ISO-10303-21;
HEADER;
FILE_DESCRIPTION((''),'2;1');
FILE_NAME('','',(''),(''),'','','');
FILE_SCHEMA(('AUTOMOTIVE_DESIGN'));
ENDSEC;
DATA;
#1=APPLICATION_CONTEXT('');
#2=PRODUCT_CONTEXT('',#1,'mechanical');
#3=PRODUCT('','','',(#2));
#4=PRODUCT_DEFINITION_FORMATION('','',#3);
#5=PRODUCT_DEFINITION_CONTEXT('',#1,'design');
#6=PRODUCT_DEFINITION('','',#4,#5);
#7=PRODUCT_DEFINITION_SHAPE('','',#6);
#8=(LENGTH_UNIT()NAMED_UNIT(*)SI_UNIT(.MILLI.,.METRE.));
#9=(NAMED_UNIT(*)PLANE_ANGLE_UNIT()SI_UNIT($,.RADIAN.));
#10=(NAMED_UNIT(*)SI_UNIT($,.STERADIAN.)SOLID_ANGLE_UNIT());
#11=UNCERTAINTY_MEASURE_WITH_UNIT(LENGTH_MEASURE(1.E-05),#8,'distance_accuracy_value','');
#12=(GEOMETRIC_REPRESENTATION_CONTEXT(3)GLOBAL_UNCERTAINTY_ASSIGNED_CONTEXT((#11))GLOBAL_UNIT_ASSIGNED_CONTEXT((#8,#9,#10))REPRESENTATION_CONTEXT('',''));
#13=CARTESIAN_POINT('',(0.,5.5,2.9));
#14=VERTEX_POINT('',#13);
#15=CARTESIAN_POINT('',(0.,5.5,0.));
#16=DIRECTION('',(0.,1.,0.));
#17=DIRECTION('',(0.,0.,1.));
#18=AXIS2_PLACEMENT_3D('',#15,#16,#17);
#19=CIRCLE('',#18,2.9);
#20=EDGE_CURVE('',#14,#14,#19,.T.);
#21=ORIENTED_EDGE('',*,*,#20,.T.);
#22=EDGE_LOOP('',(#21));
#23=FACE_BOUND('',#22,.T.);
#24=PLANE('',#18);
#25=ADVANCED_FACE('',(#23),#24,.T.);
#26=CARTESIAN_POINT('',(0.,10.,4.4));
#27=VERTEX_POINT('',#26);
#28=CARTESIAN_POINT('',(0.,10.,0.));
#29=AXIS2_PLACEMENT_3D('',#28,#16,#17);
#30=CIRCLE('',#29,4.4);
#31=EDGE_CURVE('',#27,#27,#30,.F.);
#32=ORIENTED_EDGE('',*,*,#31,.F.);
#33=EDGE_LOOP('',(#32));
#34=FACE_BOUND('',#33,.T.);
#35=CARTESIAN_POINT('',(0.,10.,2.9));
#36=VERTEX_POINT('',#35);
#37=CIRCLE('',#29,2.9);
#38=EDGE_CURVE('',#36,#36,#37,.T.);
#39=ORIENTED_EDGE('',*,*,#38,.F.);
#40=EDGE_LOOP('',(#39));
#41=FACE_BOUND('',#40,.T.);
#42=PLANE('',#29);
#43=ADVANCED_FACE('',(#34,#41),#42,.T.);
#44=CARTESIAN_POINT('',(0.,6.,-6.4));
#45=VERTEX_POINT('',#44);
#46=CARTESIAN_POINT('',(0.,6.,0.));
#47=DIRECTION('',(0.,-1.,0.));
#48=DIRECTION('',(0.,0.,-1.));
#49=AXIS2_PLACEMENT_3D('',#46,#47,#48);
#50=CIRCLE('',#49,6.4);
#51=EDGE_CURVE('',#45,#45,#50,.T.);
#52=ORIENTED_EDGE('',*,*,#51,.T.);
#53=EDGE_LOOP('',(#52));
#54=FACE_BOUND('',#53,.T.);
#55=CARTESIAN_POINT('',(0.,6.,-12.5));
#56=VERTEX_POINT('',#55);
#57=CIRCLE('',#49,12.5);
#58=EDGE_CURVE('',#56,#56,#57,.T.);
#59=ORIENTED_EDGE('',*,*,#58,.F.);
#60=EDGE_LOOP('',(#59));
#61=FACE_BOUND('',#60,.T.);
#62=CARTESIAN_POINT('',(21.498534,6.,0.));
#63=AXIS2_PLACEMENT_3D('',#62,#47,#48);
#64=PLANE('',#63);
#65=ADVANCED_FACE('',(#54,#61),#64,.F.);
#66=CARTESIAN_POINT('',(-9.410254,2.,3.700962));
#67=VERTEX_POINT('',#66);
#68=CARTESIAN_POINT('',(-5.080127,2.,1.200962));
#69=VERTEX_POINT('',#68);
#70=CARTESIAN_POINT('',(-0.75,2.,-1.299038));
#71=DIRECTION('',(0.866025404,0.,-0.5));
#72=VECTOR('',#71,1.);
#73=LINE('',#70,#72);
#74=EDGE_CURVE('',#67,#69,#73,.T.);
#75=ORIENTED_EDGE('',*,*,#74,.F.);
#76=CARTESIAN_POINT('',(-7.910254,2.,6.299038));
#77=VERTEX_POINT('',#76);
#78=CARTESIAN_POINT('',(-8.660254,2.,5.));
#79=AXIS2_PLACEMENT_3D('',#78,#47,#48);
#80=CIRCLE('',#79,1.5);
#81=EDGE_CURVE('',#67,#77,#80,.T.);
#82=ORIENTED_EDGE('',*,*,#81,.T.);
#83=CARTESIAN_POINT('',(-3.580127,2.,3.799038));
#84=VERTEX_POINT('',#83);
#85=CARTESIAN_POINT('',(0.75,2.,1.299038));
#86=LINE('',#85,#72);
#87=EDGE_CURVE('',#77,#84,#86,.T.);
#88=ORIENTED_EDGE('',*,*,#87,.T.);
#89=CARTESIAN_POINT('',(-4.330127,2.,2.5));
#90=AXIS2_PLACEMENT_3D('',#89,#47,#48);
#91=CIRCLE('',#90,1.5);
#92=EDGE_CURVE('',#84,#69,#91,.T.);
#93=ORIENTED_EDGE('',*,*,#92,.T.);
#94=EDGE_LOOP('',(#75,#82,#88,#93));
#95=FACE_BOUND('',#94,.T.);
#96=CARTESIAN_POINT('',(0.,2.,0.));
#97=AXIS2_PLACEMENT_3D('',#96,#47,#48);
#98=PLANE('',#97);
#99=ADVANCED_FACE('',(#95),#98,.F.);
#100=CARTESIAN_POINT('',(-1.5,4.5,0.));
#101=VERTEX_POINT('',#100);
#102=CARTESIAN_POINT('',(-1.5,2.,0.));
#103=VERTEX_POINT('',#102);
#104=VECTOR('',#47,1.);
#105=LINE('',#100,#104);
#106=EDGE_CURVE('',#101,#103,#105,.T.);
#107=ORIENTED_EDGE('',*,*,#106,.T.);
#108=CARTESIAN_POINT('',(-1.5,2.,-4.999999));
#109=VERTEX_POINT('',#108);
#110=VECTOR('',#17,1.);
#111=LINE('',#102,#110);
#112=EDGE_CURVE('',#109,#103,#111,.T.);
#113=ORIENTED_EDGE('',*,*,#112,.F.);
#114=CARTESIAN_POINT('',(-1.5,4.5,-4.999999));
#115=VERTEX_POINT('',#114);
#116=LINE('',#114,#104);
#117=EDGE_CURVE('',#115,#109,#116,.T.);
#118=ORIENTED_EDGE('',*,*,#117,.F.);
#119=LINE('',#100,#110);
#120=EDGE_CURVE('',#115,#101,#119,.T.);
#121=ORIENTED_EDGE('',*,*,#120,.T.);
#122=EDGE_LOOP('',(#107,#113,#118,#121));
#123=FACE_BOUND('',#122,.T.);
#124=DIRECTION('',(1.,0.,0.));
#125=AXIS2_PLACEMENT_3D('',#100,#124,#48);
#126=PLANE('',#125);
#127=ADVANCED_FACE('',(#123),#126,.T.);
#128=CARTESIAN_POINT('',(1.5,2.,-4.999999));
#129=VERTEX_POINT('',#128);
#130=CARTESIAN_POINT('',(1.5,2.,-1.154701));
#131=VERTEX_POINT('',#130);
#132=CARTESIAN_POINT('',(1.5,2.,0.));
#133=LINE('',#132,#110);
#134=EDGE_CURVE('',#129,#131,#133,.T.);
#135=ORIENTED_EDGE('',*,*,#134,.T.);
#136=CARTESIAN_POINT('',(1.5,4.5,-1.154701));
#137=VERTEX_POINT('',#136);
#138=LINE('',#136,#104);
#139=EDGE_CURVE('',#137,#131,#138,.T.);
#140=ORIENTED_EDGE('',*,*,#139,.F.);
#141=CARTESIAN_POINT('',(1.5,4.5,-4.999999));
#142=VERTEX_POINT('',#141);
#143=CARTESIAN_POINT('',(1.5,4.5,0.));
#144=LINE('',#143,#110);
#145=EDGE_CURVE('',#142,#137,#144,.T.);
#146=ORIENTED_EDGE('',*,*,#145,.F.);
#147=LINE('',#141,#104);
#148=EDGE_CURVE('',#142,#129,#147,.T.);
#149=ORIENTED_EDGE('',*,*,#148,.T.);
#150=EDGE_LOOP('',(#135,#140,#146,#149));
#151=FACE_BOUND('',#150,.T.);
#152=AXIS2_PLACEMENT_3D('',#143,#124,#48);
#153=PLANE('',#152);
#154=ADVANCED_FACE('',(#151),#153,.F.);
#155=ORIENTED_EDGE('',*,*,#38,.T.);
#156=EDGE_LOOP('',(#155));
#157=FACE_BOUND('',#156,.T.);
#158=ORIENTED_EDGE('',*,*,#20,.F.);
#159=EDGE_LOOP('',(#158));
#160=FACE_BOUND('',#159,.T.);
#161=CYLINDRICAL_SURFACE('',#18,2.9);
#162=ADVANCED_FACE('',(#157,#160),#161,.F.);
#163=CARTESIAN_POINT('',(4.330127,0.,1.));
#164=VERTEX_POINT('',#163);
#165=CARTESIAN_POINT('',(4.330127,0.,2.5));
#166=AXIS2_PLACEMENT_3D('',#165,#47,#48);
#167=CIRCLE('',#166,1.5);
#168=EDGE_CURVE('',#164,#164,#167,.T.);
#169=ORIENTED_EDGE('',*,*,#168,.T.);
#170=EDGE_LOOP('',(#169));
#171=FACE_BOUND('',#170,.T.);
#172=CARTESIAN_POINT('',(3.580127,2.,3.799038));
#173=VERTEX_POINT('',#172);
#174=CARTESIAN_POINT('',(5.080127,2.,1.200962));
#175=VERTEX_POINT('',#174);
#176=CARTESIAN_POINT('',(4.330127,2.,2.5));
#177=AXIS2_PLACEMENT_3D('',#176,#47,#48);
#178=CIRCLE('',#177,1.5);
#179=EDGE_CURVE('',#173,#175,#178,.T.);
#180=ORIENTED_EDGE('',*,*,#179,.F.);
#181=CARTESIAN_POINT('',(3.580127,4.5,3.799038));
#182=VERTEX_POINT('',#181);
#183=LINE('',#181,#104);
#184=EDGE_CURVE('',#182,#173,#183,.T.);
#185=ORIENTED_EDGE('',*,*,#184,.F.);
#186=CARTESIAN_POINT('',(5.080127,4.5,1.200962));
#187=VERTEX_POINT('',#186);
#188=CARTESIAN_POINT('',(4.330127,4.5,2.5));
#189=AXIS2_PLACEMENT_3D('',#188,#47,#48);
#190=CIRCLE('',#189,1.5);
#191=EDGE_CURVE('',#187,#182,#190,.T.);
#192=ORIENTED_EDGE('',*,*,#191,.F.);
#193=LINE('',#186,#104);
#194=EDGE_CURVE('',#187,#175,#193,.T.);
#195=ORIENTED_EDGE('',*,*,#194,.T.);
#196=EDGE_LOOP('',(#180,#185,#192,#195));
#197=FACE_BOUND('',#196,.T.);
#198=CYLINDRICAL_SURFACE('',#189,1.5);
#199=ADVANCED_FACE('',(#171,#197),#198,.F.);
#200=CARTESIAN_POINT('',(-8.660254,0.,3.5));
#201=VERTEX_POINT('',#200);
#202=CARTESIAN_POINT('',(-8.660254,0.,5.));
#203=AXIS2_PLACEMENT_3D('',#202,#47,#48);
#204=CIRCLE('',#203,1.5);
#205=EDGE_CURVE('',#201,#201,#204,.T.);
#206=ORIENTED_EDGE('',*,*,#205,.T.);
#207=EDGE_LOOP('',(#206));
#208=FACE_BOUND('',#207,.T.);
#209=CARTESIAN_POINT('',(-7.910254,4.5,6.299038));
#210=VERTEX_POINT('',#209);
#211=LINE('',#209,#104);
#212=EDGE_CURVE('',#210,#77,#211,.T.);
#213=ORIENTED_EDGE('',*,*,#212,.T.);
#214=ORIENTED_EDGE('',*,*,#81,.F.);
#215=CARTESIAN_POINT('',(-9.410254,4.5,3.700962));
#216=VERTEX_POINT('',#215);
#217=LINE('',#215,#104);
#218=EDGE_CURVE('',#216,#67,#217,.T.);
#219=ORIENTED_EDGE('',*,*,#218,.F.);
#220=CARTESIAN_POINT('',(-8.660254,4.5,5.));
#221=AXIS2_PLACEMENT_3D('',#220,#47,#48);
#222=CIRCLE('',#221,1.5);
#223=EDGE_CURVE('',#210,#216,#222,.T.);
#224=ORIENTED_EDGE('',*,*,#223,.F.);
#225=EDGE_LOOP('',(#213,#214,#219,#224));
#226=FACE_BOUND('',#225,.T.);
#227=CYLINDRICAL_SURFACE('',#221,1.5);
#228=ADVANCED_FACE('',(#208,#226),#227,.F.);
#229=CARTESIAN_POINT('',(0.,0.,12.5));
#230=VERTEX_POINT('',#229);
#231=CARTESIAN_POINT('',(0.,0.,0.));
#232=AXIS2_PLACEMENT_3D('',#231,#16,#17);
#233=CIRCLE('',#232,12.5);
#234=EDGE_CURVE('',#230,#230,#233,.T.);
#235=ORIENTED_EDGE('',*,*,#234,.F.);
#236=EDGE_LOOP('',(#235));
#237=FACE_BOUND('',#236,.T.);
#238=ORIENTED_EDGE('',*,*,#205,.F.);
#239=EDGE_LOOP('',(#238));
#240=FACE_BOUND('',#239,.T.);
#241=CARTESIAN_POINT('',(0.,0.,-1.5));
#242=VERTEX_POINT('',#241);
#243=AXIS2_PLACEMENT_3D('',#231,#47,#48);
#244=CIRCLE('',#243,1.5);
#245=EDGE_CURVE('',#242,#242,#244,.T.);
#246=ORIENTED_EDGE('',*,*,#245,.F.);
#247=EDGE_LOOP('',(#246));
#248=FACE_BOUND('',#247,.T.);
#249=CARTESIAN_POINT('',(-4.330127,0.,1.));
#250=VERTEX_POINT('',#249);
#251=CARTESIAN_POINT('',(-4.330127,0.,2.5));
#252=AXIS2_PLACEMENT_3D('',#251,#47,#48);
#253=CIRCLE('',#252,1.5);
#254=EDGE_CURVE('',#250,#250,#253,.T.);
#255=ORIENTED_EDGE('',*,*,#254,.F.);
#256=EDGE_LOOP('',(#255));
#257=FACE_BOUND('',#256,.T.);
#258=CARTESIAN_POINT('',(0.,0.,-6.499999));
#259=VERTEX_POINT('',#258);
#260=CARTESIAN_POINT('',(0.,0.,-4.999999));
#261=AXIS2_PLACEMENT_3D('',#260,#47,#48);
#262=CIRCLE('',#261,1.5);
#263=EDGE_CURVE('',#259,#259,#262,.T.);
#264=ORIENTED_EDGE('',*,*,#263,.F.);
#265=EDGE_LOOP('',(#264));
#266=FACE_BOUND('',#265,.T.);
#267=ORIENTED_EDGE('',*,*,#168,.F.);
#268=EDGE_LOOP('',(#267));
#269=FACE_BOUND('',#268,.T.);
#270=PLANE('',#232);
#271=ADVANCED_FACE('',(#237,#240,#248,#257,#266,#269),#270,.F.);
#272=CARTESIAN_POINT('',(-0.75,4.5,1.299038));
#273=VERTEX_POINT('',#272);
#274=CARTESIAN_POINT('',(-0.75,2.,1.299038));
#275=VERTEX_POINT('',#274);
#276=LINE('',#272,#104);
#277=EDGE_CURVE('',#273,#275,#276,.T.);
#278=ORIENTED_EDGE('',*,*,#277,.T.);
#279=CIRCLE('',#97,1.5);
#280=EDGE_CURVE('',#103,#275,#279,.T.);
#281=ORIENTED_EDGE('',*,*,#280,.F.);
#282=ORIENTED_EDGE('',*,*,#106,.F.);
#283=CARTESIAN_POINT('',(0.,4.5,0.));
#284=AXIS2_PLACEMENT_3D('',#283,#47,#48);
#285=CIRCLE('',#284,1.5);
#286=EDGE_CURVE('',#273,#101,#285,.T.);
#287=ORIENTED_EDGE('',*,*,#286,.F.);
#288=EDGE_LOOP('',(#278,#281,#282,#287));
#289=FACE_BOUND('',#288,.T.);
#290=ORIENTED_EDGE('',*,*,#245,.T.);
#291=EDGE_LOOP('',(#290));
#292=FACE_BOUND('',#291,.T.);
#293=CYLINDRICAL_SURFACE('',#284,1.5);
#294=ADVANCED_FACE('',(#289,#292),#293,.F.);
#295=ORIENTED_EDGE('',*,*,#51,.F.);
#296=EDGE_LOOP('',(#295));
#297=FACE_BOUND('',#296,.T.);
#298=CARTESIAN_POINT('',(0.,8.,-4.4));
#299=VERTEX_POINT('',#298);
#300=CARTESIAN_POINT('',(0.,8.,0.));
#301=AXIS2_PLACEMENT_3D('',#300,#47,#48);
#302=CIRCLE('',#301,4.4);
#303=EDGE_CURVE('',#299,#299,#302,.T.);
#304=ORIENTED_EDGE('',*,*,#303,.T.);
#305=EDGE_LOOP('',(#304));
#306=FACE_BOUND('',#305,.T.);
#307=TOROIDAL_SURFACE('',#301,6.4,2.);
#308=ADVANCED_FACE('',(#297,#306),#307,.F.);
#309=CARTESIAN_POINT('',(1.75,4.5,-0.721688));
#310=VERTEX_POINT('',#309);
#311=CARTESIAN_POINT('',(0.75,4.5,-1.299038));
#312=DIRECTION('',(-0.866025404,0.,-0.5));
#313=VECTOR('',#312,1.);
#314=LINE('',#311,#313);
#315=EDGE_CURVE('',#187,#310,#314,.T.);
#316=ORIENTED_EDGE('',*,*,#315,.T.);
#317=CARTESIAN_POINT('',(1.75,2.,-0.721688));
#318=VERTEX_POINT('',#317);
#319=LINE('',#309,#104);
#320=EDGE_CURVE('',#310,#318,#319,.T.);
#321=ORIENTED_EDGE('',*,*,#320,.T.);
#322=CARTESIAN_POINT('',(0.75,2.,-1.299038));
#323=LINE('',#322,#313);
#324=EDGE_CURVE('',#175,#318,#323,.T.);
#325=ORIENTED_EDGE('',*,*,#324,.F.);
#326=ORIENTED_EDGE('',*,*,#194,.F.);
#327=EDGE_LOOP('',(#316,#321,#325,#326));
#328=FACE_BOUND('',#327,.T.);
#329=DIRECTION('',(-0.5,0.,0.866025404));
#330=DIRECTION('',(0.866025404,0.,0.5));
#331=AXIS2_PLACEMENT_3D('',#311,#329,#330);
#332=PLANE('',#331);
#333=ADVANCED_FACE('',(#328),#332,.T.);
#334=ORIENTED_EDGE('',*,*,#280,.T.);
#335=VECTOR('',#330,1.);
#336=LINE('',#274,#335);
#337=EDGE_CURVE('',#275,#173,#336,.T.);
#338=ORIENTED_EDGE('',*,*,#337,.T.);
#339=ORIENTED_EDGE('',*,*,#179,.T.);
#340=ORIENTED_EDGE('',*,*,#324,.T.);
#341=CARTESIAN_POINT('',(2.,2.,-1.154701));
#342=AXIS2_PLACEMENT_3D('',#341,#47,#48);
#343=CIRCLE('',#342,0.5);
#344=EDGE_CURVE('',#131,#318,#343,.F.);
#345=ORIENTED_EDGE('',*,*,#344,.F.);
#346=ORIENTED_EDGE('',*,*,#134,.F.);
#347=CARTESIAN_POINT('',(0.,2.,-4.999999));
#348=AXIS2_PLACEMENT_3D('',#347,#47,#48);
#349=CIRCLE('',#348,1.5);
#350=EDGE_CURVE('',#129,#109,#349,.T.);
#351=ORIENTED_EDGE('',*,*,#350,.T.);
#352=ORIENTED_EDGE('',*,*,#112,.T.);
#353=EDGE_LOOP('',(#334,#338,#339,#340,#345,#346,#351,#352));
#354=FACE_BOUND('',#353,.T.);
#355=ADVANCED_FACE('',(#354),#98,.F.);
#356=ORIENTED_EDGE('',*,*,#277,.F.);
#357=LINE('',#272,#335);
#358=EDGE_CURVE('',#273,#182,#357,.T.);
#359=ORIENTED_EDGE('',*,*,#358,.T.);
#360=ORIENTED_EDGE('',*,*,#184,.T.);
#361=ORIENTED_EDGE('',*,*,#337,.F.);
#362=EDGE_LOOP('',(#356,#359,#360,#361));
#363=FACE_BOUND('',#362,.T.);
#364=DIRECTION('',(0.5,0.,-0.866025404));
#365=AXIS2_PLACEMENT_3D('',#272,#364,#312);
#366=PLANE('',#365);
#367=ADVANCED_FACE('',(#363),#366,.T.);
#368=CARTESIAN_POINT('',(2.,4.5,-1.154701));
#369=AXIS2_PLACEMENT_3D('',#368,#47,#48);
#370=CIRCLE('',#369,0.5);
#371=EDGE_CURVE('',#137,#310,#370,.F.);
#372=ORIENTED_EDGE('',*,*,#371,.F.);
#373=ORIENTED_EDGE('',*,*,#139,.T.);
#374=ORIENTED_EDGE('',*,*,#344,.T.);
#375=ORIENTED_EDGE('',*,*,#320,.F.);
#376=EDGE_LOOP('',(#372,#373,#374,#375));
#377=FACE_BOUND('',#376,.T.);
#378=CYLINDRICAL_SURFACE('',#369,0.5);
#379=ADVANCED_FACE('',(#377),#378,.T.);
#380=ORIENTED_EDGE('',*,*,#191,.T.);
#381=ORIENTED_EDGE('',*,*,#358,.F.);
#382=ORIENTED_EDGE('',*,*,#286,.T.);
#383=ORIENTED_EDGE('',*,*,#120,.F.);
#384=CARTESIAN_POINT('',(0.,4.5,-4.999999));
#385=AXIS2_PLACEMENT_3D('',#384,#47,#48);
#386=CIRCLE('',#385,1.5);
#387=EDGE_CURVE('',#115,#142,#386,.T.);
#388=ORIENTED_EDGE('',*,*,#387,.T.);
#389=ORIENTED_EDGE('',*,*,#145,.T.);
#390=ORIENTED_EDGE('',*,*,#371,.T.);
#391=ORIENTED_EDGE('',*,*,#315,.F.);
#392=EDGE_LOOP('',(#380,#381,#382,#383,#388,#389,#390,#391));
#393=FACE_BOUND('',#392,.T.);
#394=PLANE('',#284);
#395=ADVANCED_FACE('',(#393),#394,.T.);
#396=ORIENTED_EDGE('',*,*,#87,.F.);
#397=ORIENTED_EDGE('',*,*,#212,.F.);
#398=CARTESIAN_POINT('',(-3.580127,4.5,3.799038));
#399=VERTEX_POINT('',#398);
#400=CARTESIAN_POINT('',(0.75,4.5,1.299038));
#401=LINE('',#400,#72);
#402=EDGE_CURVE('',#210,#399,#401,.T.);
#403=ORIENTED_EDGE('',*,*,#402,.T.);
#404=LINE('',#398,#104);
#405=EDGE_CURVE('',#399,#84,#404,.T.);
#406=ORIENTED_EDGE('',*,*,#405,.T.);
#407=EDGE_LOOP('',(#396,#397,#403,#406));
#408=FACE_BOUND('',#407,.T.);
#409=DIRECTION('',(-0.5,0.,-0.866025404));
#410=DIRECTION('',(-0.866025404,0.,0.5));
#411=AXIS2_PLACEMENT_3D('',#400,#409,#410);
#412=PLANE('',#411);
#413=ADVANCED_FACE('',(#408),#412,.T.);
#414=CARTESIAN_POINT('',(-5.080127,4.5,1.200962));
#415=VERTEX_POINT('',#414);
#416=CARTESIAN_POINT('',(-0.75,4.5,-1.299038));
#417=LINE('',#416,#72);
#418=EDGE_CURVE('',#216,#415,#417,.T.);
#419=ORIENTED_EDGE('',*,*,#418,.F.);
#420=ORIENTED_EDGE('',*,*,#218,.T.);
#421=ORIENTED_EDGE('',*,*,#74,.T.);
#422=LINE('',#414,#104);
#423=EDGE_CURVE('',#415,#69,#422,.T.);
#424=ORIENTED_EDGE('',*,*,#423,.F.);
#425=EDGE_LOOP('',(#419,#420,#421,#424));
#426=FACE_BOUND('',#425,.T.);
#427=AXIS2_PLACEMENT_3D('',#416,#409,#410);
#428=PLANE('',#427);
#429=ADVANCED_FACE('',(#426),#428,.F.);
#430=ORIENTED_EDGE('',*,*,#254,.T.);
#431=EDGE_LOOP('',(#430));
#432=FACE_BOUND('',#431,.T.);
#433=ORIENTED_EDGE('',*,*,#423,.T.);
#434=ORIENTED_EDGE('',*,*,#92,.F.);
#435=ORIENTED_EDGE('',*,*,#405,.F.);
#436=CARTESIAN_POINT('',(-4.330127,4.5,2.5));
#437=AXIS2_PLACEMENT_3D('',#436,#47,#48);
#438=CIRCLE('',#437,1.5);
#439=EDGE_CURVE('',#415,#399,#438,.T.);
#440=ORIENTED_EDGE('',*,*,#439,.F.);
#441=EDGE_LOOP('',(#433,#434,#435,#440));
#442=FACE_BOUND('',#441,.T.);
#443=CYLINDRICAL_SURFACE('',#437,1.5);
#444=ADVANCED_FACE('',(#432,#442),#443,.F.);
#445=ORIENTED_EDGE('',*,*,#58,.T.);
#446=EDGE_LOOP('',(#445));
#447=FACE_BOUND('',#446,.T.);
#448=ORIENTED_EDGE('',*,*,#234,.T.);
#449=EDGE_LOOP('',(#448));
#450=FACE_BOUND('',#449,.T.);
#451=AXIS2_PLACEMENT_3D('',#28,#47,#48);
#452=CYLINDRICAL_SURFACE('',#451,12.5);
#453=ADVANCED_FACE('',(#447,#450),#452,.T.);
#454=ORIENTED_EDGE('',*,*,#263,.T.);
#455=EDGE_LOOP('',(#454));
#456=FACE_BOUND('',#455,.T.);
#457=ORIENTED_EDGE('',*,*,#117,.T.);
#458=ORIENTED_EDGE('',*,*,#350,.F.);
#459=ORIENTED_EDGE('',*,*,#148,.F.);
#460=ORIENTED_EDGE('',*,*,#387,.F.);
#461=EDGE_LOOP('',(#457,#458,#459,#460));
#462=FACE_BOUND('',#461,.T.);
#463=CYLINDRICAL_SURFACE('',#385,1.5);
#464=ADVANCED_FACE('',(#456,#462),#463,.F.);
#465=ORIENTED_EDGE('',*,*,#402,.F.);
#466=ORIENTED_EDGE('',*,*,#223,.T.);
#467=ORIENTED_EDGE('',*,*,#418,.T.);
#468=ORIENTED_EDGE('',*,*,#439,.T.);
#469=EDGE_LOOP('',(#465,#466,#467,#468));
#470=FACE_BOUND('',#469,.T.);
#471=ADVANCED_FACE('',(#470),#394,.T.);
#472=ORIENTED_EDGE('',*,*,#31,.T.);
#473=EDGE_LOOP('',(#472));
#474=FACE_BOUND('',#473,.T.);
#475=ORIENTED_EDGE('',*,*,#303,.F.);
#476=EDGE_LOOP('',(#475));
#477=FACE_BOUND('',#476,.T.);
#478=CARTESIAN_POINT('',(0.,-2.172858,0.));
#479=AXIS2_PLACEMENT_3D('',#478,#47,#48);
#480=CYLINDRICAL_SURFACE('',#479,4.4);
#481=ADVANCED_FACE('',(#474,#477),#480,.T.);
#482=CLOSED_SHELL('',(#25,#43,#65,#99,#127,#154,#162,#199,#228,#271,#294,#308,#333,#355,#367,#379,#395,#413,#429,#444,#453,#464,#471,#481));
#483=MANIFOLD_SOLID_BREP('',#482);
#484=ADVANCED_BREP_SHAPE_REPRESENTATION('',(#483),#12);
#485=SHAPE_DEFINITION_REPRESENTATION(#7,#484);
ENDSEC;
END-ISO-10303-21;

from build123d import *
from build123d.topology import SkipClean

# Parameters (mm, degrees)
SKETCH3_R           = 12.5
BOSS_EXTRUDE1_DEPTH = 10
CUT_EXTRUDE3_DEPTH  = 2.5
SKETCH7_R           = 1.500000283
SKETCH7_R_2         = 1.5
CUT_EXTRUDE4_DEPTH  = 20.403607912
SKETCH8_R           = 2.9
CUT_EXTRUDE5_DEPTH  = 4.5


with BuildPart() as part:
    # Sketch3 → Boss-Extrude1 (new body)
    with BuildSketch(Plane(origin=(0, 0, 0), x_dir=(1, 0, 0), z_dir=(0, 1, 0))):
        with Locations(Location((0, 0, 0), (0, 0, 270))):
            Circle(SKETCH3_R)
    extrude(amount=BOSS_EXTRUDE1_DEPTH)

    # Sketch5 → Cut-Extrude3 (cut)
    with BuildSketch(Plane(origin=(0, 2, 0), x_dir=(-1, 0, 0), z_dir=(0, -1, 0))):
        with BuildLine():
            ThreePointArc((7.910254038, -6.299038106), (9.959292144, -5.75), (9.410254038, -3.700961894))
            Line((9.410254038, -3.700961894), (5.080127019, -1.200961894))
            ThreePointArc((5.080127019, -1.200961894), (3.031088913, -1.75), (3.580127019, -3.799038106))
            Line((3.580127019, -3.799038106), (7.910254038, -6.299038106))
        make_face()
        with BuildLine():
            Line((1.5, 0), (1.5, 4.999998598))
            ThreePointArc((1.5, 4.999998598), (0, 6.499998598), (-1.5, 4.999998598))
            Line((-1.5, 4.999998598), (-1.5, 1.154700538))
            ThreePointArc((-1.5, 1.154700538), (-1.566987298, 0.904700538), (-1.75, 0.721687836))
            Line((-1.75, 0.721687836), (-5.080127019, -1.200961894))
            ThreePointArc((-5.080127019, -1.200961894), (-5.629165611, -3.250000029), (-3.580127396, -3.799038324))
            Line((-3.580127396, -3.799038324), (0.75, -1.299038106))
            ThreePointArc((0.75, -1.299038106), (1.299038106, -0.75), (1.5, 0))
        make_face()
    extrude(amount=-CUT_EXTRUDE3_DEPTH, mode=Mode.SUBTRACT)

    # Sketch7 → Cut-Extrude4 (cut, through all)
    with SkipClean():  # the faces are left unmerged after this step: merging them gives an invalid solid
        with BuildSketch(Plane(origin=(0, 2, 0), x_dir=(-1, 0, 0), z_dir=(0, -1, 0))):
            with Locations(Location((0, 4.999998598, 0), (0, 0, 90))):
                Circle(SKETCH7_R)
            with Locations(Location((-4.330127396, -2.500000218, 0), (0, 0, 90))):
                Circle(SKETCH7_R_2)
            with Locations(Location((0, 0, 0), (0, 0, 90))):
                Circle(SKETCH7_R_2)
            with Locations(Location((8.660254038, -5, 0), (0, 0, 90))):
                Circle(SKETCH7_R_2)
            with Locations(Location((4.330127019, -2.5, 0), (0, 0, 90))):
                Circle(SKETCH7_R_2)
        extrude(amount=CUT_EXTRUDE4_DEPTH, mode=Mode.SUBTRACT)

    # Sketch8 → Cut-Extrude5 (cut)
    with SkipClean():  # the faces are left unmerged after this step: merging them gives an invalid solid
        with BuildSketch(Plane(origin=(0, 10, 0), x_dir=(1, 0, 0), z_dir=(0, 1, 0))):
            with Locations(Location((0, 0, 0), (0, 0, 270))):
                Circle(SKETCH8_R)
        extrude(amount=-CUT_EXTRUDE5_DEPTH, mode=Mode.SUBTRACT)

    # Sketch9 → Cut-Revolve1 (revolve, cut)
    with SkipClean():  # the faces are left unmerged after this step: merging them gives an invalid solid
        with BuildSketch(Plane.XY, mode=Mode.PRIVATE) as cut_revolve1_sk:
            with BuildLine():
                Line((21.498533976, 15.074260083), (4.4, 15.074260083))
                Line((4.4, 15.074260083), (4.4, 8))
                ThreePointArc((4.4, 8), (4.985786438, 6.585786438), (6.4, 6))
                Line((6.4, 6), (21.498533976, 6))
                Line((21.498533976, 6), (21.498533976, 15.074260083))
            make_face()
        revolve(cut_revolve1_sk.sketch.rotate(Axis((0, -2.172857957, 0), (0, 1, 0)), 90), axis=Axis((0, -2.172857957, 0), (0, 1, 0)), mode=Mode.SUBTRACT)


solid = part.part
